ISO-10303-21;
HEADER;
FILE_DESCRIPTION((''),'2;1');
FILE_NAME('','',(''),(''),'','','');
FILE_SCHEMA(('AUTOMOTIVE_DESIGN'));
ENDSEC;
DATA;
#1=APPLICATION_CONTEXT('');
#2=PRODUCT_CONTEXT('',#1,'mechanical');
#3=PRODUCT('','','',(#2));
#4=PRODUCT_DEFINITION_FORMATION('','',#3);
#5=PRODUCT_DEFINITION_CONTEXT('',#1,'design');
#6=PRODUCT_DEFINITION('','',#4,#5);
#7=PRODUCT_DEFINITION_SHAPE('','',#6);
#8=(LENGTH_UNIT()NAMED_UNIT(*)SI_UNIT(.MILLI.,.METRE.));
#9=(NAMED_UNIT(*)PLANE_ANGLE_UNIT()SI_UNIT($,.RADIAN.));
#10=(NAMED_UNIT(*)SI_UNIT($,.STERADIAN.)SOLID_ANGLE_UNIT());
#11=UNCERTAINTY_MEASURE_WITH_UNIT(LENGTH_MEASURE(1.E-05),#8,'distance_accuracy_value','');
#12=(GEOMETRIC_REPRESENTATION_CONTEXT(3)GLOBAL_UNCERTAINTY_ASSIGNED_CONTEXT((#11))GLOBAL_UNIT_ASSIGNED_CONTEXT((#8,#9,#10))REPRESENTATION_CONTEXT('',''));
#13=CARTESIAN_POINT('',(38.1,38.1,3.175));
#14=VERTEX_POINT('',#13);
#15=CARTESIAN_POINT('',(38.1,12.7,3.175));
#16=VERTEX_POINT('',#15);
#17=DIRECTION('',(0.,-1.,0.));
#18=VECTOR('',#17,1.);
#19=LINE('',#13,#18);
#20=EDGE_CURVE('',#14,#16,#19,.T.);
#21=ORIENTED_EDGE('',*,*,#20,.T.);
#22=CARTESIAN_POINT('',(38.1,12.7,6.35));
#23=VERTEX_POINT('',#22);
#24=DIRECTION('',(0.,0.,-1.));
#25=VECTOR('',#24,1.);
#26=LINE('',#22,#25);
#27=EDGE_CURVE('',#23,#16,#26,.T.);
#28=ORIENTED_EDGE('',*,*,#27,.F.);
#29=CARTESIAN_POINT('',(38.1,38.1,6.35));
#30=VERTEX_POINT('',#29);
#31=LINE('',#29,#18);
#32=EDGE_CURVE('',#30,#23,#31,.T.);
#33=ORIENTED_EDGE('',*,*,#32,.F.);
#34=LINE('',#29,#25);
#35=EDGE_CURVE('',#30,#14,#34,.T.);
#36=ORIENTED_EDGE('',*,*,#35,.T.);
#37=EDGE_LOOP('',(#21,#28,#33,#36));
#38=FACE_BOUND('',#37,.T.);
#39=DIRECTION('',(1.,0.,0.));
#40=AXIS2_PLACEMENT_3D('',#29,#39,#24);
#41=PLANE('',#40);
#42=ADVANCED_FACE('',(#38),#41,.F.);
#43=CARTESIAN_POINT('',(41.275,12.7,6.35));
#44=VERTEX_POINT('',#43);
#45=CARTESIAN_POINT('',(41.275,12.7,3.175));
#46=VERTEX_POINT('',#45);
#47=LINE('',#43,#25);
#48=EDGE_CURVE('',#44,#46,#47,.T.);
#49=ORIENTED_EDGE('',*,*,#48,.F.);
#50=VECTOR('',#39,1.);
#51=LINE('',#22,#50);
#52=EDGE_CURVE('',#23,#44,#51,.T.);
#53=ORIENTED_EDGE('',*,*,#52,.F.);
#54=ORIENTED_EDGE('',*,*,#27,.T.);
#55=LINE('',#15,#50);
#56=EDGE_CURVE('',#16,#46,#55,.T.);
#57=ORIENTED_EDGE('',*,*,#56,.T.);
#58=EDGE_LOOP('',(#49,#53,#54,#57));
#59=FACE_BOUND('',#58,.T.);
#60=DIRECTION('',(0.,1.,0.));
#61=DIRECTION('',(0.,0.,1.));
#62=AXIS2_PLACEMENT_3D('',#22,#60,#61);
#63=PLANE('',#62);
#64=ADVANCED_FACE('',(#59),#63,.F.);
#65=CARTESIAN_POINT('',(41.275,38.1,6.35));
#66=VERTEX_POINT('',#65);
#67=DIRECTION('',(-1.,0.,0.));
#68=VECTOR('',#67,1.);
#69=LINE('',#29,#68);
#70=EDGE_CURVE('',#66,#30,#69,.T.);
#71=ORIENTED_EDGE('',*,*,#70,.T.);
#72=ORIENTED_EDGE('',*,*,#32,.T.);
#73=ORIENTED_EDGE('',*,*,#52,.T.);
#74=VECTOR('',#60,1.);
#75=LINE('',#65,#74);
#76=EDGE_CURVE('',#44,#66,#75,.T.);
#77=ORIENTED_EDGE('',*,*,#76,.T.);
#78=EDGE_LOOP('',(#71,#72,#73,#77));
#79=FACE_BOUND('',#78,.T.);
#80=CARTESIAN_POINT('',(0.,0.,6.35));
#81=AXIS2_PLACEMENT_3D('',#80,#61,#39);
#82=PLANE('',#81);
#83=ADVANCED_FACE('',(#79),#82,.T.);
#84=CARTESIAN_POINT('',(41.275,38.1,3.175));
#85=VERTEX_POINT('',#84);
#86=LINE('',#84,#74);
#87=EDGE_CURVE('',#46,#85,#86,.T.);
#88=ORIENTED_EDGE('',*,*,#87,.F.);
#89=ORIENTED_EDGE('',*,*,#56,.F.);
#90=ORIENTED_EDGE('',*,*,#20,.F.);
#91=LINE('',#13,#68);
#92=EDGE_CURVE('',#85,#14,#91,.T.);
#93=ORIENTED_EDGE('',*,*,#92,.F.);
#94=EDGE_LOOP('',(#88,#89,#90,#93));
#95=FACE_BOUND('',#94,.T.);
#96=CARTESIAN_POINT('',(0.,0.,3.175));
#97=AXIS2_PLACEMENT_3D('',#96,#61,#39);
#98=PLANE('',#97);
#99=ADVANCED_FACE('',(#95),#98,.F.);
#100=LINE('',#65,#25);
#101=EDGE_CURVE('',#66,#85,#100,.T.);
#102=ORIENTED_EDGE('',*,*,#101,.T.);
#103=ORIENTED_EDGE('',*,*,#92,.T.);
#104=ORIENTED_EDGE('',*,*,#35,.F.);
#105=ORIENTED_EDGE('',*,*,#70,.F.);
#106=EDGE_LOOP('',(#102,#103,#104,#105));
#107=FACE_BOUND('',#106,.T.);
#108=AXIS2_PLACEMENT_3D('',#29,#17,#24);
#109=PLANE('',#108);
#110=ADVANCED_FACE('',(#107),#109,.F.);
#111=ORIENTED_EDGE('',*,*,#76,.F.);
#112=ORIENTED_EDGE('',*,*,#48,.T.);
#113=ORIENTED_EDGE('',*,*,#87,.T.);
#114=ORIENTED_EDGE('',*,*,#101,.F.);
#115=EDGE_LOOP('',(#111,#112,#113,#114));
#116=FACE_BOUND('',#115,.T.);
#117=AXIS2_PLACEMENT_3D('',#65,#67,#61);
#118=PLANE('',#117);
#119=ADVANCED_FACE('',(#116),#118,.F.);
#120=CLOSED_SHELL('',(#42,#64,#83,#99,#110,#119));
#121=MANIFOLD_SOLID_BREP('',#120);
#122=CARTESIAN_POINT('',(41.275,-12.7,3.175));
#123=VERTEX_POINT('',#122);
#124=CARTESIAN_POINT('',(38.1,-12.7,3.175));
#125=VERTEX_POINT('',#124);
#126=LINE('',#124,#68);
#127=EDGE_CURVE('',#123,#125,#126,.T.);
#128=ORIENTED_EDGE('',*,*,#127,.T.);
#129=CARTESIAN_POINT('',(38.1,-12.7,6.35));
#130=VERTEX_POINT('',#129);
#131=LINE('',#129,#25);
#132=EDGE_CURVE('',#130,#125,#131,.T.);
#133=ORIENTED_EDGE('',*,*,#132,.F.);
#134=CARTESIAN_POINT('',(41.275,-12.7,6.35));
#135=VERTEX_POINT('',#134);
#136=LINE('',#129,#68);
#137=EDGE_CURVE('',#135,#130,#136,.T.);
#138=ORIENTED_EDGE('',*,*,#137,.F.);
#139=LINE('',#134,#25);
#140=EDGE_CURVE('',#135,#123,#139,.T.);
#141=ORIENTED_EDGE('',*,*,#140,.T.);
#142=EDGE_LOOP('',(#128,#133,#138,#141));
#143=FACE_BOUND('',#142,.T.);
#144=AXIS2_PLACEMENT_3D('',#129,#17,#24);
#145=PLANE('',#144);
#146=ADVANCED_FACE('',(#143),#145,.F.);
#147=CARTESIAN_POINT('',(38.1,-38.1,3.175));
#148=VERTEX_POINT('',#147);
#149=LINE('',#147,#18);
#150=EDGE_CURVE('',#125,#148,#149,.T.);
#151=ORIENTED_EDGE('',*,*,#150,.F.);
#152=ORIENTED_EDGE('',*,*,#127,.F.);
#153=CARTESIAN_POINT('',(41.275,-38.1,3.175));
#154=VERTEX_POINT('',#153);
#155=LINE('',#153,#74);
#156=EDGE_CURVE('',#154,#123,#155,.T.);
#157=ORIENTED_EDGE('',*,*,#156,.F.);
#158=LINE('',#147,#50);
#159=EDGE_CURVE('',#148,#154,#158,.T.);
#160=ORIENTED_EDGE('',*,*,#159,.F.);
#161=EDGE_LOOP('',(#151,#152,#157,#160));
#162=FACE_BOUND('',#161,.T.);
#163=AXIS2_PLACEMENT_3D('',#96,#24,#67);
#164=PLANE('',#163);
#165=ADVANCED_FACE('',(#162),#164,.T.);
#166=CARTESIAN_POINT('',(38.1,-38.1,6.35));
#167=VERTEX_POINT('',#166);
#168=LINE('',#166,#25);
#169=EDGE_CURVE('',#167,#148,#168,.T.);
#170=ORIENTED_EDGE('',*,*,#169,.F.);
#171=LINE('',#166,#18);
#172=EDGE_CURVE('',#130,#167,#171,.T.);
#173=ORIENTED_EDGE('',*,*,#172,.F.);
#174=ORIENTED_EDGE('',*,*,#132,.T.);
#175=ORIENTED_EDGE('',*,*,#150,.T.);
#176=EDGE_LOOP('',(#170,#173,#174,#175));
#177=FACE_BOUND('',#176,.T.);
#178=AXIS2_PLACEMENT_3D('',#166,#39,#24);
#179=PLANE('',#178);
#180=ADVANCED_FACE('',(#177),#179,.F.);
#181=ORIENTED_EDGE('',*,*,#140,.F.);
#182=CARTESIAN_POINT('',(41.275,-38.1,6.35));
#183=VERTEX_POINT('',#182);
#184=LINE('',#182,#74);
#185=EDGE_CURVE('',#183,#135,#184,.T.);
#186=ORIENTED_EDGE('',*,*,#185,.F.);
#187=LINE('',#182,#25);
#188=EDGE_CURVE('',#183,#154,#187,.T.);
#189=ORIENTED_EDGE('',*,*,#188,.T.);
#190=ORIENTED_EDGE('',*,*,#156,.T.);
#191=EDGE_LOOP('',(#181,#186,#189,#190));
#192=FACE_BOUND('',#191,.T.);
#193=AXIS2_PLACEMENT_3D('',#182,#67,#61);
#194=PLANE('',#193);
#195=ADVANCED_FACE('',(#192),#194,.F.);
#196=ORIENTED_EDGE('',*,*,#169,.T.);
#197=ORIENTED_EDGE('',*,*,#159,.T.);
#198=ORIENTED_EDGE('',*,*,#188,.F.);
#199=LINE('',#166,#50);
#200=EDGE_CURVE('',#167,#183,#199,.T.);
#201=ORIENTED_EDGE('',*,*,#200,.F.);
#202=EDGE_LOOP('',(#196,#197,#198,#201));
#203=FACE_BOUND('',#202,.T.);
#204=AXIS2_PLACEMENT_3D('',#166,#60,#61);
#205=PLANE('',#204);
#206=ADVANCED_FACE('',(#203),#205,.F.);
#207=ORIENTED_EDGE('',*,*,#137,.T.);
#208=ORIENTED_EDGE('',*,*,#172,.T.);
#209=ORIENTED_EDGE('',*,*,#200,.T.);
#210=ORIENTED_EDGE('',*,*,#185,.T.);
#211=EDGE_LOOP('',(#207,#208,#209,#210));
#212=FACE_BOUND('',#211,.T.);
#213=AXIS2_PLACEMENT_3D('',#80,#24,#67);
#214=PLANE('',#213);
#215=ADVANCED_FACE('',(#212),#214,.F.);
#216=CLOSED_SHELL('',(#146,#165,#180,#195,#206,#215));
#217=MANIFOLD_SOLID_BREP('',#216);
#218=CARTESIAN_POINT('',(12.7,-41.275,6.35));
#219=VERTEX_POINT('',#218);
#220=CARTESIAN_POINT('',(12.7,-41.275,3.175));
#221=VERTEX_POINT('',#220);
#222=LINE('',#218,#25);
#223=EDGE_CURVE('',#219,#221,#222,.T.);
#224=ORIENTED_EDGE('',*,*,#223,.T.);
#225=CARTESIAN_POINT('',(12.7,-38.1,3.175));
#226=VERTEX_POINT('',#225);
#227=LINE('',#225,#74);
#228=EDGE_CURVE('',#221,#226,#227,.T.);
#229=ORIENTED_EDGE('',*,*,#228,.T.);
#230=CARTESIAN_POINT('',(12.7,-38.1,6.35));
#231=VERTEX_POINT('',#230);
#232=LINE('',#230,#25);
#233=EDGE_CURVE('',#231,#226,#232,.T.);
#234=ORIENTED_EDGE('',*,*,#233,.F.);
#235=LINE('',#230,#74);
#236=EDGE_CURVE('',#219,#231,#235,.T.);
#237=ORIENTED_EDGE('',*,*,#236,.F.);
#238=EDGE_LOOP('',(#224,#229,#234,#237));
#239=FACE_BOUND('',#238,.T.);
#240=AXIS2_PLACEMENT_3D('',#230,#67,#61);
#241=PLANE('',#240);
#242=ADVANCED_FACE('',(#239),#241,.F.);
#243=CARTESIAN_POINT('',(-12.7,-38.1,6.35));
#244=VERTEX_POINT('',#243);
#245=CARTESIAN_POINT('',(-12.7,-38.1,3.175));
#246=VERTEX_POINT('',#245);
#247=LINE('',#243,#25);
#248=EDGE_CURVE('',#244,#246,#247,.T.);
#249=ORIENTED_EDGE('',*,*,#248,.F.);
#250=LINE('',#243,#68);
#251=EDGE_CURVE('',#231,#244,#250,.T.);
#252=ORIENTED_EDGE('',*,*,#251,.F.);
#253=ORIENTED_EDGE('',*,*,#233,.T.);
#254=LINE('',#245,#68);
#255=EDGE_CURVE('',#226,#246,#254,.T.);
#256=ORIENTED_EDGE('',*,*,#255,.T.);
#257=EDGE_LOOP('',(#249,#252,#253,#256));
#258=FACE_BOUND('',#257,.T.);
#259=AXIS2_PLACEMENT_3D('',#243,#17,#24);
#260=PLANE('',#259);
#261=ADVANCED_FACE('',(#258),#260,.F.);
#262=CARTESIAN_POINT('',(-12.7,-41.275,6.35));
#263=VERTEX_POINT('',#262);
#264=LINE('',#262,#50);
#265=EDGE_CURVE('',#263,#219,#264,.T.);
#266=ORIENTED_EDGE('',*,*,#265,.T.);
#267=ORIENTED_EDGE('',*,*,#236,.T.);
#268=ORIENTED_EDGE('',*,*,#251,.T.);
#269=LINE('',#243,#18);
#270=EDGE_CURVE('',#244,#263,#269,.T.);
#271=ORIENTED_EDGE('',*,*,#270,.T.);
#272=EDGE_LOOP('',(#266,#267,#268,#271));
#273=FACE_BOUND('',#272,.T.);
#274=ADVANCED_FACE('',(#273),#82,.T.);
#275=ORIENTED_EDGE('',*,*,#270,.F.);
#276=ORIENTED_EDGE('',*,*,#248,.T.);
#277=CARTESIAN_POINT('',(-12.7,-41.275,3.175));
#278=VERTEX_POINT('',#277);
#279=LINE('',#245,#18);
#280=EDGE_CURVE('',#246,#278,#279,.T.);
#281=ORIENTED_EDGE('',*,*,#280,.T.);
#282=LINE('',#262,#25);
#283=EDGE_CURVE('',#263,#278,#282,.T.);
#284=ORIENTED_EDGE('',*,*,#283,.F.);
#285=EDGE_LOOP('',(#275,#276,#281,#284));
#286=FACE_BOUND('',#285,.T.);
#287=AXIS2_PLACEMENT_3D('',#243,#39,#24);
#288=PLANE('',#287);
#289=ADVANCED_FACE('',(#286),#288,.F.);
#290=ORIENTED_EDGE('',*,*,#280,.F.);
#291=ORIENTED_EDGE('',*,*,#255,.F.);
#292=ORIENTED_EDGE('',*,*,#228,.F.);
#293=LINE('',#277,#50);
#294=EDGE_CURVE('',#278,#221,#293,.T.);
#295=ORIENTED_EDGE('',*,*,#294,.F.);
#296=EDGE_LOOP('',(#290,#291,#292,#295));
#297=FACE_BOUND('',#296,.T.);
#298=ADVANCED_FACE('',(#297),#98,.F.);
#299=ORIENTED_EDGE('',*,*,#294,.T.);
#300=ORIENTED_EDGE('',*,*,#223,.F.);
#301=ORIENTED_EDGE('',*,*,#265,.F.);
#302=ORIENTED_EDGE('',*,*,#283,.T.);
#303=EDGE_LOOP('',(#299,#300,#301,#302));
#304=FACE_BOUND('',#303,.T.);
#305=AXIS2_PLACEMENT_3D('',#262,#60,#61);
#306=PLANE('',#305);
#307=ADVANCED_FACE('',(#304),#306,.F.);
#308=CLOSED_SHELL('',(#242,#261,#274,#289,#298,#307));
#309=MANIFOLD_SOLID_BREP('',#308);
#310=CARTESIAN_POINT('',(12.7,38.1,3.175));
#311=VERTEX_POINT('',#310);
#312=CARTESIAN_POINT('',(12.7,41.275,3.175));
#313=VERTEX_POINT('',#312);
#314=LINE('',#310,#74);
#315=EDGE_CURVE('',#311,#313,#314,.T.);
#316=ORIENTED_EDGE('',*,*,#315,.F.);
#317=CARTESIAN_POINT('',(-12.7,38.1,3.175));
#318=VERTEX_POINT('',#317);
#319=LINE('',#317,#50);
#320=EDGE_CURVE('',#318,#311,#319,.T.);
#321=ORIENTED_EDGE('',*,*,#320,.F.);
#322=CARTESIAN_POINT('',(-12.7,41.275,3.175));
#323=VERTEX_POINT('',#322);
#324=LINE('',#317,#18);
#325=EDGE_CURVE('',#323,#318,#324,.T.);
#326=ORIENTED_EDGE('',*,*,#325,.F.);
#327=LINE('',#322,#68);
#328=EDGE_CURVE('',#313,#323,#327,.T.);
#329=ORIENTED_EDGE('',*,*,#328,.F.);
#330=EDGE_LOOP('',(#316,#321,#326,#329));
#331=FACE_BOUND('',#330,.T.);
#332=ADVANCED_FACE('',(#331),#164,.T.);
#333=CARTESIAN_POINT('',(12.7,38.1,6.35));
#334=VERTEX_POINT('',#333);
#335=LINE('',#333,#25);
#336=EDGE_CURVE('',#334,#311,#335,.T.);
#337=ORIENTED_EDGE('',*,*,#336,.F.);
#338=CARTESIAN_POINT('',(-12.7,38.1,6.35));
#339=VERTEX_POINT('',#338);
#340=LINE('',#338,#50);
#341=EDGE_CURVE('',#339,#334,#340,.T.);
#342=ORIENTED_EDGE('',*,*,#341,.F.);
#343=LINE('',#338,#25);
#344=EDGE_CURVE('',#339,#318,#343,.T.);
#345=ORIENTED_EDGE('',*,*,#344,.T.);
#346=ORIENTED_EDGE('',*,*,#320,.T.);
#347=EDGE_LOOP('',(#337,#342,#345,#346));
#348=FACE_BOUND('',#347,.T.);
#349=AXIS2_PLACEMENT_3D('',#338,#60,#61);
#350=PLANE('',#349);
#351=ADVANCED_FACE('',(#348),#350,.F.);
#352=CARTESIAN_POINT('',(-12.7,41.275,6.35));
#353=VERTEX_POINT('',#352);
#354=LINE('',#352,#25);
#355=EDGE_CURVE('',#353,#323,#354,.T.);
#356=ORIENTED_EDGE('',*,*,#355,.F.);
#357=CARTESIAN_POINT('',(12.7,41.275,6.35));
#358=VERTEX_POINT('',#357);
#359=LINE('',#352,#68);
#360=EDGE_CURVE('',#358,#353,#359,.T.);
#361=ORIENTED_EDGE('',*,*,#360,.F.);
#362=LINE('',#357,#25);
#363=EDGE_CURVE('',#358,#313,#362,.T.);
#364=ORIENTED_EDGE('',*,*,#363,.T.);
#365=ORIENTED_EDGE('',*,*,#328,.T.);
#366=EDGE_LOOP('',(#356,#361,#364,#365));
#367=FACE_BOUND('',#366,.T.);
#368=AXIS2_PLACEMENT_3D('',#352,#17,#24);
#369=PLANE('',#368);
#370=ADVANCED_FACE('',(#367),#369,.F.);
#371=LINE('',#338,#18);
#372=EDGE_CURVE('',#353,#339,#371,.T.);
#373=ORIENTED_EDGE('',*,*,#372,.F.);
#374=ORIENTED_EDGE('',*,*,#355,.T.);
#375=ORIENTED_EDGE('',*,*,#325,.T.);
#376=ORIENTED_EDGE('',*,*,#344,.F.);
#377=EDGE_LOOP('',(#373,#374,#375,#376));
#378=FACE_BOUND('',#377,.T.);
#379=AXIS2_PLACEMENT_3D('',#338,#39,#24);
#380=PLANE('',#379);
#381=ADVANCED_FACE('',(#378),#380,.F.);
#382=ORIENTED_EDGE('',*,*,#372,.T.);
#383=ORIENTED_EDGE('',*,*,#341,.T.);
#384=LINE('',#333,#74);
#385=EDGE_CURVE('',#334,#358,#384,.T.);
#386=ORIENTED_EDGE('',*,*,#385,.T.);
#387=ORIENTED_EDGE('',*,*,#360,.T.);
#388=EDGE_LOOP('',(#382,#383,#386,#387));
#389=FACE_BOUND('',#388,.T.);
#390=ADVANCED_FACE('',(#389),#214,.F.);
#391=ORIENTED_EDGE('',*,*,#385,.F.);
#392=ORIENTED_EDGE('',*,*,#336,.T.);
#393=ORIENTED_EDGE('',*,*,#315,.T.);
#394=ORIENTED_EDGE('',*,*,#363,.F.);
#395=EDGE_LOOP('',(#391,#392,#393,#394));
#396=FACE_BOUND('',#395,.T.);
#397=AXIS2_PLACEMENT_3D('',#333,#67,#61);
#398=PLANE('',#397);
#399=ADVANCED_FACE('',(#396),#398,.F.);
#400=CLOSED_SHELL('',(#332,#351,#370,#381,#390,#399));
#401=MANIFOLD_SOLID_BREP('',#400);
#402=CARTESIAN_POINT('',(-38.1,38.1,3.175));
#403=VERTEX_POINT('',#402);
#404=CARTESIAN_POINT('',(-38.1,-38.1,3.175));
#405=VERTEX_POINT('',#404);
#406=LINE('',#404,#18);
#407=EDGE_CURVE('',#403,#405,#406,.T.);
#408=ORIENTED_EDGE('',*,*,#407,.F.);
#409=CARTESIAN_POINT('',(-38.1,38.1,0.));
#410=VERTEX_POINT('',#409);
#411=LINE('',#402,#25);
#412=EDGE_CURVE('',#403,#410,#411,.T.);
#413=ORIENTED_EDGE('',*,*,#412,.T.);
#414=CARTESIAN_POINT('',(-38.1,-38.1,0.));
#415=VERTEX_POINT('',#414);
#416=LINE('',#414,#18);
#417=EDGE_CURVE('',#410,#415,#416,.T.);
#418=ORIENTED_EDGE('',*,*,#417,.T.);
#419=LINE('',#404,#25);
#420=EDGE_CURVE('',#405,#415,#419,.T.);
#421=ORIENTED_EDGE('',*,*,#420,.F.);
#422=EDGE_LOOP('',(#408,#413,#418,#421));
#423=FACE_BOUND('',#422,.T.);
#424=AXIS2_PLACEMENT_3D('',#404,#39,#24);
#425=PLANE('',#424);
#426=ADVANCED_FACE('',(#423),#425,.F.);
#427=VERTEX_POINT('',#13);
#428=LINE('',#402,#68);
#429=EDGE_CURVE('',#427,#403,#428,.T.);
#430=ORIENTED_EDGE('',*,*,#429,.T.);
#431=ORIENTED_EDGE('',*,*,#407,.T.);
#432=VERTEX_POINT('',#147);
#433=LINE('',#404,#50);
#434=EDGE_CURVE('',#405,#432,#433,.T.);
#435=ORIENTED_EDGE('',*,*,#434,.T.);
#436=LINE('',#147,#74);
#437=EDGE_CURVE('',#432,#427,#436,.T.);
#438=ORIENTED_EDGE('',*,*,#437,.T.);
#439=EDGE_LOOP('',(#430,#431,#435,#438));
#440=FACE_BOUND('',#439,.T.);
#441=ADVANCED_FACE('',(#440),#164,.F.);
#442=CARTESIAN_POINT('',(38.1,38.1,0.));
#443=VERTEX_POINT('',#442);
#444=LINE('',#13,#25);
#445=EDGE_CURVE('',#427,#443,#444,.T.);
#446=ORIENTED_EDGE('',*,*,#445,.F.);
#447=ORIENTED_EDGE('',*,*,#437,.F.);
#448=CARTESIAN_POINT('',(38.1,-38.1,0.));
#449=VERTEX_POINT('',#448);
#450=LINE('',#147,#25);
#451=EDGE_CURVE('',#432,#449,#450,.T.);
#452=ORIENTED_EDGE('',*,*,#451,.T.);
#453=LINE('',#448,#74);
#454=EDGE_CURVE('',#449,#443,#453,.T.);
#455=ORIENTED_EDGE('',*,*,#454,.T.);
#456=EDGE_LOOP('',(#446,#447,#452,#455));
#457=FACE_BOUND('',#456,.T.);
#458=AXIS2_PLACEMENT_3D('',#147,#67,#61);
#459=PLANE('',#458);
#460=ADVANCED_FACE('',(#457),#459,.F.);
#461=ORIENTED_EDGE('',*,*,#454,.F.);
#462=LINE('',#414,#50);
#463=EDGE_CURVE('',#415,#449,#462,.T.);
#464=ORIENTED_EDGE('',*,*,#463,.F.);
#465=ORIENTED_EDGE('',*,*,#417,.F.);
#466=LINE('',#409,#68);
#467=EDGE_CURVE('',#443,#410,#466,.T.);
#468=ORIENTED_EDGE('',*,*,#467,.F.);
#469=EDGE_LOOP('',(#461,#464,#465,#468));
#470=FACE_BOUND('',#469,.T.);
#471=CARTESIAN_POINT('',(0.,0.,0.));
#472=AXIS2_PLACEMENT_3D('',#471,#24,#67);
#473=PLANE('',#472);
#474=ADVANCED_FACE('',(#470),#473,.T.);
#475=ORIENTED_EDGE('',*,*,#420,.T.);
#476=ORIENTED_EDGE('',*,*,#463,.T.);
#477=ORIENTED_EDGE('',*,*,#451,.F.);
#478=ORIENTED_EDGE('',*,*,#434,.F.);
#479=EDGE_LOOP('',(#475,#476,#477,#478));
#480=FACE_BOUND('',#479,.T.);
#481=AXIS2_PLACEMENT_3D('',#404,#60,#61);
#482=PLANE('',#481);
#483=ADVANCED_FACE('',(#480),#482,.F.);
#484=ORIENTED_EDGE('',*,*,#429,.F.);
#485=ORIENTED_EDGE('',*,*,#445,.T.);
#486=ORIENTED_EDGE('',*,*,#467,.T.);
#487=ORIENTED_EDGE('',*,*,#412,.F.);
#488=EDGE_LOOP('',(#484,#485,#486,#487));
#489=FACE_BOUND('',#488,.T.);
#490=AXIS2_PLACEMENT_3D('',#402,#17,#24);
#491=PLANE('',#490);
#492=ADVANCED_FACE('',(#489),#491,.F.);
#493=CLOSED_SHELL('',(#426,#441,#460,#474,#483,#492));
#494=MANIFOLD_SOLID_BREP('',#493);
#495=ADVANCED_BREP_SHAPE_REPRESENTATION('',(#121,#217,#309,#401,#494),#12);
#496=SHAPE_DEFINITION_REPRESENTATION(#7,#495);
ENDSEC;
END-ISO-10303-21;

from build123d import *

# Parameters (mm, degrees)
SKETCH2_W             = 76.2
SKETCH2_H             = 76.2
BOSS_EXTRUDE1_DEPTH   = 3.175
SKETCH4_W             = 25.4
SKETCH4_H             = 3.175
BOSS_EXTRUDE3_DEPTH   = 3.175
SKETCH4_W_2           = 3.175
SKETCH4_H_2           = 25.4
BOSS_EXTRUDE3_2_DEPTH = 3.175
BOSS_EXTRUDE3_3_DEPTH = 3.175
BOSS_EXTRUDE3_4_DEPTH = 3.175


with BuildPart() as part:
    # Sketch2 → Boss-Extrude1 (new body)
    with BuildSketch(Plane.XY):
        Rectangle(SKETCH2_W, SKETCH2_H)
    extrude(amount=BOSS_EXTRUDE1_DEPTH)


with BuildPart() as body_2:
    # Sketch4 → Boss-Extrude3 (new body)
    with BuildSketch(Plane.XY.offset(3.175)):
        with Locations((0, -39.6875)):
            Rectangle(SKETCH4_W, SKETCH4_H)
    extrude(amount=BOSS_EXTRUDE3_DEPTH)


with BuildPart() as body_3:
    # Sketch4 → Boss-Extrude3 2 (new body)
    with BuildSketch(Plane.XY.offset(3.175)):
        with Locations((39.6875, 25.4)):
            Rectangle(SKETCH4_W_2, SKETCH4_H_2)
    extrude(amount=BOSS_EXTRUDE3_2_DEPTH)


with BuildPart() as body_4:
    # Sketch4 → Boss-Extrude3 3 (new body)
    with BuildSketch(Plane.XY.offset(3.175)):
        with Locations((39.6875, -25.4)):
            Rectangle(SKETCH4_W_2, SKETCH4_H_2)
    extrude(amount=BOSS_EXTRUDE3_3_DEPTH)


with BuildPart() as body_5:
    # Sketch4 → Boss-Extrude3 4 (new body)
    with BuildSketch(Plane.XY.offset(3.175)):
        with Locations((0, 39.6875)):
            Rectangle(SKETCH4_W, SKETCH4_H)
    extrude(amount=BOSS_EXTRUDE3_4_DEPTH)


solid = Compound([part.part, body_2.part, body_3.part, body_4.part, body_5.part])
